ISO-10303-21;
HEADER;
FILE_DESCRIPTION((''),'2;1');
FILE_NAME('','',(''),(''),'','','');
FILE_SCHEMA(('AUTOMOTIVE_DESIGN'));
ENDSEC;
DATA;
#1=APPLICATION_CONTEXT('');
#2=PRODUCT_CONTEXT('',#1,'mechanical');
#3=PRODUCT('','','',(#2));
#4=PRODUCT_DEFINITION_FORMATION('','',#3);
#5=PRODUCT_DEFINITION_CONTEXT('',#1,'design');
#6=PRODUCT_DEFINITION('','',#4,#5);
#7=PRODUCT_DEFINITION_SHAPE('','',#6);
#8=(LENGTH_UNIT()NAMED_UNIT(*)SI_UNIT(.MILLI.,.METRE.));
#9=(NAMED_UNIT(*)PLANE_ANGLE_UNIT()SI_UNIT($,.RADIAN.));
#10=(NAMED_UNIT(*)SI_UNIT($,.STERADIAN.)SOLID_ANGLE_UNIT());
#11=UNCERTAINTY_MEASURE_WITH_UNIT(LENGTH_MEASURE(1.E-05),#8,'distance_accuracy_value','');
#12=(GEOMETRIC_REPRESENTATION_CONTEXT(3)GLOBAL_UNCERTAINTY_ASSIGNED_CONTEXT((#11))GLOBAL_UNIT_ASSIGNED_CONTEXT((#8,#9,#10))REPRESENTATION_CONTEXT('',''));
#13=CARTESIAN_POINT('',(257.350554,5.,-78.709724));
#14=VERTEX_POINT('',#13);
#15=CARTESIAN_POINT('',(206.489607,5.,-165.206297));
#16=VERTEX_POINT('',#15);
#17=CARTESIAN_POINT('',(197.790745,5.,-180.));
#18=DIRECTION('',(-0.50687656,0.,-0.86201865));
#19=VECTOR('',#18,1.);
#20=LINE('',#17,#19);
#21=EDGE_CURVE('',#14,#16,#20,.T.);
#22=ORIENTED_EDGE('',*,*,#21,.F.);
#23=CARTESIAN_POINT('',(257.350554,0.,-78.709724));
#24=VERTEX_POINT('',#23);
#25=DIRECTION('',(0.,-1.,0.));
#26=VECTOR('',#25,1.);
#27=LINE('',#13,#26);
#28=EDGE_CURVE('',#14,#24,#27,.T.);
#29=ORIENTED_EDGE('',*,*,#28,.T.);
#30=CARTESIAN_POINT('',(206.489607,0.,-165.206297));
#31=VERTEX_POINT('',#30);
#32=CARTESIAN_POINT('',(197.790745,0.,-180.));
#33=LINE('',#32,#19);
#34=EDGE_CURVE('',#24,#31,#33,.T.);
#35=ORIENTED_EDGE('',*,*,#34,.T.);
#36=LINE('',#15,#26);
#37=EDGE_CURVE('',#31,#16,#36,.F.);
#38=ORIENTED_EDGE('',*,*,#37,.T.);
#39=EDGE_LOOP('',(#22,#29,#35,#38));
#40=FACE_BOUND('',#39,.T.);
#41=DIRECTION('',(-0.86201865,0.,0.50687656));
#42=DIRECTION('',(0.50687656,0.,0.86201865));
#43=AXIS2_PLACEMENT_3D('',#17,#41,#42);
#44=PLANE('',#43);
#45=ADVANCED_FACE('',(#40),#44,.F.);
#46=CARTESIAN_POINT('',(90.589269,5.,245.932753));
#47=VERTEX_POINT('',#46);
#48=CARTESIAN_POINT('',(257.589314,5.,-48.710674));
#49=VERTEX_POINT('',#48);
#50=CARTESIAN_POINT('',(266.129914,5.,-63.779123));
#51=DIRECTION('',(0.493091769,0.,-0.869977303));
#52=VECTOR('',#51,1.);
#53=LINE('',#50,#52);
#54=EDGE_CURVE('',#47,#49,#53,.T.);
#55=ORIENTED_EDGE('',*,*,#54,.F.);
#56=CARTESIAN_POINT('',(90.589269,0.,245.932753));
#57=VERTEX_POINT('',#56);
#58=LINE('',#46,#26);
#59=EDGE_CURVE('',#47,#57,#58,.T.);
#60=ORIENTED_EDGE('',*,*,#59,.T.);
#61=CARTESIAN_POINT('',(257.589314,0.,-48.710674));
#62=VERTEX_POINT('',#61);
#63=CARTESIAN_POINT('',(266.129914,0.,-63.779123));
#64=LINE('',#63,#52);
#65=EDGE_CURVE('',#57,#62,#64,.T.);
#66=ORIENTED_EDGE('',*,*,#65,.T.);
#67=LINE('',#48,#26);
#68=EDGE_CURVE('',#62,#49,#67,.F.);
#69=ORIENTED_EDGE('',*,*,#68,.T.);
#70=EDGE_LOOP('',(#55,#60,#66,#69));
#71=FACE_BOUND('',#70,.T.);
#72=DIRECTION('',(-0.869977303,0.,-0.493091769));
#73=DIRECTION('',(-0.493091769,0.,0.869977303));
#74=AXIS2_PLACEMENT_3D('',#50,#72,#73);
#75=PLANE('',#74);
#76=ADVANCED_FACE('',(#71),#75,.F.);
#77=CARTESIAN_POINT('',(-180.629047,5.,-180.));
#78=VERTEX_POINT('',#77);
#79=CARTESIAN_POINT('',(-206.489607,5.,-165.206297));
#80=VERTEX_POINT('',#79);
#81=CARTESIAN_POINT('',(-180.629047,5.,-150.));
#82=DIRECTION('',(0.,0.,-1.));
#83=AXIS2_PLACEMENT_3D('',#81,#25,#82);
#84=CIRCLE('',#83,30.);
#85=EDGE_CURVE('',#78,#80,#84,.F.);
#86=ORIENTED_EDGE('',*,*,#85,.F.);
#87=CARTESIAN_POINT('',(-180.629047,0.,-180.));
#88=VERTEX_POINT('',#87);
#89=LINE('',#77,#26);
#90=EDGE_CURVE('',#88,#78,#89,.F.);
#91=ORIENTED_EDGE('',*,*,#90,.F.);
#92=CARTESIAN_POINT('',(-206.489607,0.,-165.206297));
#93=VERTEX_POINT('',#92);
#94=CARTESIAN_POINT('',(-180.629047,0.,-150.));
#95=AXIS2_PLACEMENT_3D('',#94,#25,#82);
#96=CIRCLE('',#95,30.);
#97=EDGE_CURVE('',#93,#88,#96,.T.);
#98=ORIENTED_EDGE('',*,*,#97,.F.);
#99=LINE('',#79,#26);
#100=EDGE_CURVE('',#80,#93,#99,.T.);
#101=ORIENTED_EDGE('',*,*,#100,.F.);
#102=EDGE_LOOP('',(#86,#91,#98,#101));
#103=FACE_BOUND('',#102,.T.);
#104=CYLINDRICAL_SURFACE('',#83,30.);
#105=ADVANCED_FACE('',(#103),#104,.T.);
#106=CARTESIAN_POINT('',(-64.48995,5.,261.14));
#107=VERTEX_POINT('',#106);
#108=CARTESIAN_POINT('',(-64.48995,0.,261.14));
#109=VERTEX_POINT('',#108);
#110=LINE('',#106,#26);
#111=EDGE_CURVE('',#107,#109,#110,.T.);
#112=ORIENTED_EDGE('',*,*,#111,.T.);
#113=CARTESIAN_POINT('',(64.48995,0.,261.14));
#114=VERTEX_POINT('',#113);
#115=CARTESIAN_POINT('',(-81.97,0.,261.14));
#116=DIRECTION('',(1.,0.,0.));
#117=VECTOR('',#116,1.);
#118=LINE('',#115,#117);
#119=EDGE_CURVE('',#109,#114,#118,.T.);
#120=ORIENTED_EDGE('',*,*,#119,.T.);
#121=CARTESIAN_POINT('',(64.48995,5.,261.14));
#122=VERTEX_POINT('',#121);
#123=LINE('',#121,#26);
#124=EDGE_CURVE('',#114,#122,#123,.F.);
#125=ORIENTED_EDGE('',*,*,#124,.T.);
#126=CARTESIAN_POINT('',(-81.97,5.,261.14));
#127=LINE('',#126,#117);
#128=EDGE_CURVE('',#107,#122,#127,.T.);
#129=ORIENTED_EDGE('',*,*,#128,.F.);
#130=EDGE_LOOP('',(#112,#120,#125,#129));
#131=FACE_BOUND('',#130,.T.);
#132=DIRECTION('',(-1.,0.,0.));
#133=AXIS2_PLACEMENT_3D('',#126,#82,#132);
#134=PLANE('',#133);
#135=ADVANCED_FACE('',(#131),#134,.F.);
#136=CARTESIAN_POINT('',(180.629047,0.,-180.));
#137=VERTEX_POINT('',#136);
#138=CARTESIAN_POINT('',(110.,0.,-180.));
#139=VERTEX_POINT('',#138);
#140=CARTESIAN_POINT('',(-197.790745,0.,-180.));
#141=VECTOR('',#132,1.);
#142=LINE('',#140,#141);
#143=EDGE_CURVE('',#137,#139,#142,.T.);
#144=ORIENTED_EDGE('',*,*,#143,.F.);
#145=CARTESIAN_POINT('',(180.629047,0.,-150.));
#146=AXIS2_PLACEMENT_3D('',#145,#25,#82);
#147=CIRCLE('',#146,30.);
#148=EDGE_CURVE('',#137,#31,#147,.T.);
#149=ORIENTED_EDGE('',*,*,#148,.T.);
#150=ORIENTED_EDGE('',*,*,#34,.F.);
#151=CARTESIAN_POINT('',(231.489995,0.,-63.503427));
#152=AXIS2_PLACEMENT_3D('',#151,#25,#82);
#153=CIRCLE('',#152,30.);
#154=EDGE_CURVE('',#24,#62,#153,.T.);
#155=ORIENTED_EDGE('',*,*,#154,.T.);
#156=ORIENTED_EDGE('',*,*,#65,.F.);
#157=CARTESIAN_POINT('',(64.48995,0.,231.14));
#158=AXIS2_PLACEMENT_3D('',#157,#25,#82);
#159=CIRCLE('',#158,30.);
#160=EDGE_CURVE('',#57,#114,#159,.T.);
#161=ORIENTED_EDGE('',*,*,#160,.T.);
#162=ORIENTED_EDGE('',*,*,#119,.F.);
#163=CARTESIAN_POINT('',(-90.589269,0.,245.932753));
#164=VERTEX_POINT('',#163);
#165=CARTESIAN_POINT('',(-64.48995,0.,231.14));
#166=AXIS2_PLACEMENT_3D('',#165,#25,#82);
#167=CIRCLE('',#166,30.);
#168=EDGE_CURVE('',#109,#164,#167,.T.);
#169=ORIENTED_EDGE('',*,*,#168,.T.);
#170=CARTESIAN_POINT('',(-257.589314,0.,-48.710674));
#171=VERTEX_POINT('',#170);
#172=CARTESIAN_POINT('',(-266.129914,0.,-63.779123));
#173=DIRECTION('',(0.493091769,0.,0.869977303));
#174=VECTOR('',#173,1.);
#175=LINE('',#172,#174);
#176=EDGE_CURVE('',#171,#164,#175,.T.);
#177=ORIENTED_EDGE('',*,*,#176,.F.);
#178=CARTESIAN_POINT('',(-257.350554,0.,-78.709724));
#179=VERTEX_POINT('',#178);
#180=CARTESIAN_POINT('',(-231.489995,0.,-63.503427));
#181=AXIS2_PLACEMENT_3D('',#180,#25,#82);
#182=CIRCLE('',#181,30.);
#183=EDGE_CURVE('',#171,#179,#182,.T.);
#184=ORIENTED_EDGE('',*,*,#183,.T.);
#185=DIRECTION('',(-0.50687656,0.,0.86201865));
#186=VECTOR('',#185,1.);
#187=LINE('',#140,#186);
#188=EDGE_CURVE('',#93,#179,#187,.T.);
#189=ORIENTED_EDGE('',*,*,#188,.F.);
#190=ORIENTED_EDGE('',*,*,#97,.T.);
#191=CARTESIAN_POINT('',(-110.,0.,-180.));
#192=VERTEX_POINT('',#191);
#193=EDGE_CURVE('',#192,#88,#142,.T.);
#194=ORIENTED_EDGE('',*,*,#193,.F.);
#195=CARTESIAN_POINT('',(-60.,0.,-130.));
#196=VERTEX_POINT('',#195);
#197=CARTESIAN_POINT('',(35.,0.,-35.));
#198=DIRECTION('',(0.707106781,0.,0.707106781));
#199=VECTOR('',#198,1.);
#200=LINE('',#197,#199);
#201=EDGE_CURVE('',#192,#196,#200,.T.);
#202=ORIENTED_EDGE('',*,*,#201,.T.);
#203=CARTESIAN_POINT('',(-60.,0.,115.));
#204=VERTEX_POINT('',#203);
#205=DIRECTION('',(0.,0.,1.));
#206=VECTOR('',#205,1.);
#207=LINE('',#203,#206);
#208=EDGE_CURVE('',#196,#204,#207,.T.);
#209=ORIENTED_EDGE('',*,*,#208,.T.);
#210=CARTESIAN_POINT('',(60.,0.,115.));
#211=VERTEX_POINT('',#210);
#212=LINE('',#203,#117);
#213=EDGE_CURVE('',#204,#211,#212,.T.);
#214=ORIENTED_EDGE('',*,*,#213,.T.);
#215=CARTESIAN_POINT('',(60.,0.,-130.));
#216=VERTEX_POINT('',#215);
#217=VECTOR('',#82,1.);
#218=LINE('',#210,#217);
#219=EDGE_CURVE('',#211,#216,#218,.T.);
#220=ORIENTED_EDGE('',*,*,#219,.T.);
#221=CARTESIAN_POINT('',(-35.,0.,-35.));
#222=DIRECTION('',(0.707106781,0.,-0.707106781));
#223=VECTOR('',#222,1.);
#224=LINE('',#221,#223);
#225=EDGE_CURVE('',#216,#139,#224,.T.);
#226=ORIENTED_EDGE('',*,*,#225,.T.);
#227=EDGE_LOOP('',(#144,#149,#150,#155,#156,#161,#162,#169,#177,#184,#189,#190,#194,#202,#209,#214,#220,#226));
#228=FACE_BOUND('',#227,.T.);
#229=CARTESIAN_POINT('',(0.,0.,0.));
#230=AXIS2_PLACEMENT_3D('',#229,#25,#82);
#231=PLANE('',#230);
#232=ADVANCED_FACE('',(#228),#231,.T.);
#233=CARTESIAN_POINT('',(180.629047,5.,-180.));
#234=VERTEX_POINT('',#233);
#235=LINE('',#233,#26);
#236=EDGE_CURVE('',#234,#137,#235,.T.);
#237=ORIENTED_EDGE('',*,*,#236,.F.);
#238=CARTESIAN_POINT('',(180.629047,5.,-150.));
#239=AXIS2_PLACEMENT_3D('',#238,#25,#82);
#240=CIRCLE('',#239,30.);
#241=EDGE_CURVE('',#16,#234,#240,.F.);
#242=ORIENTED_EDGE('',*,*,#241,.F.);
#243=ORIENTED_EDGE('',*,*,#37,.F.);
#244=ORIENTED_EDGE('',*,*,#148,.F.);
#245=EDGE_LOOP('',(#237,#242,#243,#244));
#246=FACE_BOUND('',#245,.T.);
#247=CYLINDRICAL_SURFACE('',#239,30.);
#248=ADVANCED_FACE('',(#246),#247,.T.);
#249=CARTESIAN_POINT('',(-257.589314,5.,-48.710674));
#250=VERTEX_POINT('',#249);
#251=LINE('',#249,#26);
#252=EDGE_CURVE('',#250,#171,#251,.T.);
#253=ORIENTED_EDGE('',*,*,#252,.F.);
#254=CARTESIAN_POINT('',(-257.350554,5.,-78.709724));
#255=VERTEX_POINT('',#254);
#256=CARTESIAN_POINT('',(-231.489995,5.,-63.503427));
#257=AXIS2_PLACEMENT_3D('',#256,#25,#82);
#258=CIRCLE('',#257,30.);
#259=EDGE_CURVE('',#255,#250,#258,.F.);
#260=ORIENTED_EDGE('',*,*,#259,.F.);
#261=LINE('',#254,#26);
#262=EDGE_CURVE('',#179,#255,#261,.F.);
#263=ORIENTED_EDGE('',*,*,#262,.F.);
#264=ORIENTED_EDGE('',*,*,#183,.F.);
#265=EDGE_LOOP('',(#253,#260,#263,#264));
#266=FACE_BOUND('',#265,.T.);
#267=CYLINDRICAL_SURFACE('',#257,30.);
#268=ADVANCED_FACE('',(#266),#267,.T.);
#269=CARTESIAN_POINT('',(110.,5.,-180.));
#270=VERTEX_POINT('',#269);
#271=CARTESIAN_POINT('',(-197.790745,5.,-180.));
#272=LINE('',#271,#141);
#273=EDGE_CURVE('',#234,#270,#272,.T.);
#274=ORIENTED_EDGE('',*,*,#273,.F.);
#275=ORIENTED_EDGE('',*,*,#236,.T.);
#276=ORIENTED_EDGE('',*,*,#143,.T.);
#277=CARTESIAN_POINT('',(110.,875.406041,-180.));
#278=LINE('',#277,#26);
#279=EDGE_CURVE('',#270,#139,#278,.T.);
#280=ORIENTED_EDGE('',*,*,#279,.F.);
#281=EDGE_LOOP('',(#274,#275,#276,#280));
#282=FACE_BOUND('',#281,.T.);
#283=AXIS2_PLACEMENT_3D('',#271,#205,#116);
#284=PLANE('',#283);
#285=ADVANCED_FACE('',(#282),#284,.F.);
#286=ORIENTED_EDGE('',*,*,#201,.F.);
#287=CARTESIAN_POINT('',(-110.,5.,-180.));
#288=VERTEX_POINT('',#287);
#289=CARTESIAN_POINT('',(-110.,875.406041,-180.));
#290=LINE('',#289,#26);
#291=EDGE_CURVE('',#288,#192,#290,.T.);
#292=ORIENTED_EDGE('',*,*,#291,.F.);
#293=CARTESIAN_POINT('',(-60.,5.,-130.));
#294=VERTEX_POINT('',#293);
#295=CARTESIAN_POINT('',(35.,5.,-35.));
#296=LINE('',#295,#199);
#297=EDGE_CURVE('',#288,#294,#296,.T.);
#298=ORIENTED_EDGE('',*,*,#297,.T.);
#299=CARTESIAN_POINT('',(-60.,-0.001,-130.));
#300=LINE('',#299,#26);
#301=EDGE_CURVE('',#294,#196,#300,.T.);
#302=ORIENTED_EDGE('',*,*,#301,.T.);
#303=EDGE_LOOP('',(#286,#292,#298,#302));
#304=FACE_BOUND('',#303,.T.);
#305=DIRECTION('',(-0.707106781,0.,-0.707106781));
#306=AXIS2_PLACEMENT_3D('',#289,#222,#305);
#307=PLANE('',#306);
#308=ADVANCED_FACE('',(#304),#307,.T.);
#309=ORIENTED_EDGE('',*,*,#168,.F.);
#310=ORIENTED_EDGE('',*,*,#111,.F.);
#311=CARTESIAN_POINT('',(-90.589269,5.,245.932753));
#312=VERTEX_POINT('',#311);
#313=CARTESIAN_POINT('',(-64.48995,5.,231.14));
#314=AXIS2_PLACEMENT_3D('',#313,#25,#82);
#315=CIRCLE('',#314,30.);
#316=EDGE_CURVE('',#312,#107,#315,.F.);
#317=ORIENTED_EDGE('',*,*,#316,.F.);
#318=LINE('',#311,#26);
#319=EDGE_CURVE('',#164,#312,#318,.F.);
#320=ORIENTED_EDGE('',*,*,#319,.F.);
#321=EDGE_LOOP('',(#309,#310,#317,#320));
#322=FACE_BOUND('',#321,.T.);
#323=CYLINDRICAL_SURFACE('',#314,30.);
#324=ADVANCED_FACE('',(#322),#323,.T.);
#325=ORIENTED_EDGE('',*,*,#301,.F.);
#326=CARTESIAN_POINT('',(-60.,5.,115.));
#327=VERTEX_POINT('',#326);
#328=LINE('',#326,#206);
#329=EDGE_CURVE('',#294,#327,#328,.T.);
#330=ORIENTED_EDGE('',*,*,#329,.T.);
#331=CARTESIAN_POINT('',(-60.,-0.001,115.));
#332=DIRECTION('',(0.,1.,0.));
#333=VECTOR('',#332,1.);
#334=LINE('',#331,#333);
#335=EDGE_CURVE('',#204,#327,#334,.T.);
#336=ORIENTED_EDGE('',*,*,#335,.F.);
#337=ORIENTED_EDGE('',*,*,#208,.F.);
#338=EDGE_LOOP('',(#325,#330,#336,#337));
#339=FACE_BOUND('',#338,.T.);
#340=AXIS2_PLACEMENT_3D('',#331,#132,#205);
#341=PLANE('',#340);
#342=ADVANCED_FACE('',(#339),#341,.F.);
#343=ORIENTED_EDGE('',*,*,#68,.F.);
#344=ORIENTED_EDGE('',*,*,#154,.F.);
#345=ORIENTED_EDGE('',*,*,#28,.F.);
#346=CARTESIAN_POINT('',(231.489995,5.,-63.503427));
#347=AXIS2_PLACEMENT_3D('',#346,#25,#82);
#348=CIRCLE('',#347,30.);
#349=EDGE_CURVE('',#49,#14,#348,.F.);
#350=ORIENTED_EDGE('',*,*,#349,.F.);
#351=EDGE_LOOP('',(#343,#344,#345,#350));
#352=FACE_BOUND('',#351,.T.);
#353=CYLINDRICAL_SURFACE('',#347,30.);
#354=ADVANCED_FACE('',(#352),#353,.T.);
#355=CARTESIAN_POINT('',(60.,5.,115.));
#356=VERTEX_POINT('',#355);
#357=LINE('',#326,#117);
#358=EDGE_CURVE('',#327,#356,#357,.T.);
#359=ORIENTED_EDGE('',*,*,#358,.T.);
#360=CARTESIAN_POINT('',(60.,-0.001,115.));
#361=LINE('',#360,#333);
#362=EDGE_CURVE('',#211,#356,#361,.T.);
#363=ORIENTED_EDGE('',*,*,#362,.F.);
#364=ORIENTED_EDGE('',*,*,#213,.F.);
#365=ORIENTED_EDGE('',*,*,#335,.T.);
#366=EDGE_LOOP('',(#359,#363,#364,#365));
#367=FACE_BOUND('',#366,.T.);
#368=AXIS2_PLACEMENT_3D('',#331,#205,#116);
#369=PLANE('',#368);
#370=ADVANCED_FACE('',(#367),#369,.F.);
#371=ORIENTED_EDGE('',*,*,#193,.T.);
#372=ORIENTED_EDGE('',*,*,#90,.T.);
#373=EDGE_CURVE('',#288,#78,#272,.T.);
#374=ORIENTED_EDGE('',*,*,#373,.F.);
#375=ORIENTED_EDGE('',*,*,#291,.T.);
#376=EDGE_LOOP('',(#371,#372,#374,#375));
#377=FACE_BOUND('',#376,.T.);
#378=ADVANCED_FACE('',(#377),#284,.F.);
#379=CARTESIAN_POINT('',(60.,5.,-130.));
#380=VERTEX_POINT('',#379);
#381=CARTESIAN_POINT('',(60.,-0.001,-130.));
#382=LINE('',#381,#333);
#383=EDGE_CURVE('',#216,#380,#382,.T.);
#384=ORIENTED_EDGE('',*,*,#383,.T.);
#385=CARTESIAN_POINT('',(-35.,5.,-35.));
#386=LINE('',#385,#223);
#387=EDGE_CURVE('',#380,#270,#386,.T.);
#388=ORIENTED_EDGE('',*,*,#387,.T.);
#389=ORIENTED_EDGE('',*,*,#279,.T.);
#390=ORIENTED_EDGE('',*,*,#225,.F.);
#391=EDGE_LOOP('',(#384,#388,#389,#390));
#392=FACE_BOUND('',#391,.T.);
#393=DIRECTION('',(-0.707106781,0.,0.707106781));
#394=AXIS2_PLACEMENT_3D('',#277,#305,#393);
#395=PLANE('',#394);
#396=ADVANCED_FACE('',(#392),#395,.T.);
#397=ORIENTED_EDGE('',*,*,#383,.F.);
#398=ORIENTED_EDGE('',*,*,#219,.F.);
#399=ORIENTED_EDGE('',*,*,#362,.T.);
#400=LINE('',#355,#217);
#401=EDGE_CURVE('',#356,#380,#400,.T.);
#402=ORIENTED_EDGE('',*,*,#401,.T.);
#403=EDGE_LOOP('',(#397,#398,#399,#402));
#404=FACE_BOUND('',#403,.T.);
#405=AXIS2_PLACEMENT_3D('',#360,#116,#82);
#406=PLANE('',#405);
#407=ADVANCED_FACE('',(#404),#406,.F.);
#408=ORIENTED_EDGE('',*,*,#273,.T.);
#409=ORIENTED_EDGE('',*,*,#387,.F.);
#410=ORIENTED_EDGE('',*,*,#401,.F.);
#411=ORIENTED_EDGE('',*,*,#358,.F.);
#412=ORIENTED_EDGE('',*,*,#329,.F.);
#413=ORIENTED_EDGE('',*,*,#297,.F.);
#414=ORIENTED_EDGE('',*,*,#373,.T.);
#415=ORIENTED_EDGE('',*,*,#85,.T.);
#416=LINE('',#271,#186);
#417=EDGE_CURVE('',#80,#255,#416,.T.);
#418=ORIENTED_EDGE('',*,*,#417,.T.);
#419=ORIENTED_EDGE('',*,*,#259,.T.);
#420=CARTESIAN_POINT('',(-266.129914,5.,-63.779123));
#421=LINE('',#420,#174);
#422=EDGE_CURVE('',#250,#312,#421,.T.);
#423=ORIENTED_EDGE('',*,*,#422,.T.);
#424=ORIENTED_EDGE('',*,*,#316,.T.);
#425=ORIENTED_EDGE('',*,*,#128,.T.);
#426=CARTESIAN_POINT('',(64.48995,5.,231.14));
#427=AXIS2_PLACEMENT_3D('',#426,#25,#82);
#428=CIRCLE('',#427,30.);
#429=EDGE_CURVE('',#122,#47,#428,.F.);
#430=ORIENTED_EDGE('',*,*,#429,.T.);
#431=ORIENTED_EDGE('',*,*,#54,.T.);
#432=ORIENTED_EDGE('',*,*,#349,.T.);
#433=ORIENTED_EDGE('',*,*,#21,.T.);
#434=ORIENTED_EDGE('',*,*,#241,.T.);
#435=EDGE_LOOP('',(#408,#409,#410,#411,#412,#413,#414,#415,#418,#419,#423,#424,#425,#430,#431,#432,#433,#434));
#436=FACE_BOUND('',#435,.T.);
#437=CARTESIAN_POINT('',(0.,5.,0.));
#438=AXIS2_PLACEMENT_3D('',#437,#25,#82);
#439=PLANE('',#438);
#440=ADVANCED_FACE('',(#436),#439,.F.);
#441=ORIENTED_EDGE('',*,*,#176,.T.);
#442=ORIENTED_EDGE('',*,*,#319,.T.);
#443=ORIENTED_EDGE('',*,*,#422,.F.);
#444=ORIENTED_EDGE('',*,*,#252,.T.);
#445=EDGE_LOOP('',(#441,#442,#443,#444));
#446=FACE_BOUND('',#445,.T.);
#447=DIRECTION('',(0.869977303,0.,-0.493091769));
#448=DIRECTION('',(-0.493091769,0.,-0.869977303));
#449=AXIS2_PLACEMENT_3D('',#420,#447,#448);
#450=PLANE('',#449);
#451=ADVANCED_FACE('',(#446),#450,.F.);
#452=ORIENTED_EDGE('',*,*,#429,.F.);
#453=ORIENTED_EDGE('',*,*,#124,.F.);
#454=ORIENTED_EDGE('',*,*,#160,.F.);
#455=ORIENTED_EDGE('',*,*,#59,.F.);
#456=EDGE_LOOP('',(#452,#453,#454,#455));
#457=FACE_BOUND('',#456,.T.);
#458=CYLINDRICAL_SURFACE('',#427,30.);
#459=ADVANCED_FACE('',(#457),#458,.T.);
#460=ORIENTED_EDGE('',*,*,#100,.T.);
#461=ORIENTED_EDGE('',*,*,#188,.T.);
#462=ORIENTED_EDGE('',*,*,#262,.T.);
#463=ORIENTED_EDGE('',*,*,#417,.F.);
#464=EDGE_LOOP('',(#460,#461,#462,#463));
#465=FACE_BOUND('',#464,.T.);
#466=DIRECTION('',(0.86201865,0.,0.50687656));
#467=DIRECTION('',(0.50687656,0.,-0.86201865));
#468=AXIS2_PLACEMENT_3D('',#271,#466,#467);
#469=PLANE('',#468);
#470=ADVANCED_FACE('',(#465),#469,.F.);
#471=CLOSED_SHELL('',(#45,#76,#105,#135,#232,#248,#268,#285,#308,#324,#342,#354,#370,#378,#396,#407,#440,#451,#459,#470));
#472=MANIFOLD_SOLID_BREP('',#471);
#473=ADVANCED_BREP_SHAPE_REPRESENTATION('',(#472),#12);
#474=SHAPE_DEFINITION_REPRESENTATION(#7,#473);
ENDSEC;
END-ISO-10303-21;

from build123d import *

# Parameters (mm, degrees)
EXTRUDE_1_DEPTH          = 5
CUT_EXTRUDE_1_DEPTH      = 373.886350983
CUT_EXTRUDE_1_DEPTH_BACK = 373.886350983
CUT_EXTRUDE_2_REACH      = 374.886
SKETCH_4_W               = 120
SKETCH_4_H               = 360
FILLET_1_R               = 30


with BuildPart() as part:
    # 草图2 → 凸台-拉伸1 (new body)
    with BuildSketch(Plane(origin=(0, 0, 0), x_dir=(1, 0, 0), z_dir=(0, 1, 0))):
        Polygon((-197.790744863, 180), (-266.129914045, 63.779122951), (-81.97, -261.14), (81.97, -261.14), (266.129914045, 63.779122951), (197.790744863, 180), align=None)
    extrude(amount=EXTRUDE_1_DEPTH)

    # 草图3 → 切除-拉伸1 (cut, two sides: drawn at the far end of the back side and taken through both)
    with BuildSketch(Plane(origin=(0, 5, 0), x_dir=(1, 0, 0), z_dir=(0, 1, 0)).offset(-CUT_EXTRUDE_1_DEPTH_BACK)):
        Polygon((25, 95), (110, 180), (-110, 180), (-25, 95), align=None)
    extrude(amount=CUT_EXTRUDE_1_DEPTH + CUT_EXTRUDE_1_DEPTH_BACK, mode=Mode.SUBTRACT)

    # 草图4 → 切除-拉伸2 (cut, up to next)
    with BuildSketch(Plane(origin=(0, 5, 0), x_dir=(1, 0, 0), z_dir=(0, 1, 0)), mode=Mode.PRIVATE) as cut_extrude_2_sk1:
        with Locations((0, 65)):
            Rectangle(SKETCH_4_W, SKETCH_4_H)
    cut_extrude_2_tool1 = extrude(cut_extrude_2_sk1.sketch, amount=-CUT_EXTRUDE_2_REACH, mode=Mode.PRIVATE) & part.part
    add(cut_extrude_2_tool1.solids().sort_by_distance((0, 5, -65))[0], mode=Mode.SUBTRACT)

    # 圆角1
    fillet_1_edges = [part.edges().sort_by_distance(p)[0] for p in [
        (197.790744863, 2.5, -180),
        (266.129914045, 2.5, -63.779122951),
        (81.97, 2.5, 261.14),
        (-81.97, 2.5, 261.14),
        (-266.129914045, 2.5, -63.779122951),
        (-197.790744863, 2.5, -180),
    ]]
    fillet(fillet_1_edges, radius=FILLET_1_R)


solid = part.part
